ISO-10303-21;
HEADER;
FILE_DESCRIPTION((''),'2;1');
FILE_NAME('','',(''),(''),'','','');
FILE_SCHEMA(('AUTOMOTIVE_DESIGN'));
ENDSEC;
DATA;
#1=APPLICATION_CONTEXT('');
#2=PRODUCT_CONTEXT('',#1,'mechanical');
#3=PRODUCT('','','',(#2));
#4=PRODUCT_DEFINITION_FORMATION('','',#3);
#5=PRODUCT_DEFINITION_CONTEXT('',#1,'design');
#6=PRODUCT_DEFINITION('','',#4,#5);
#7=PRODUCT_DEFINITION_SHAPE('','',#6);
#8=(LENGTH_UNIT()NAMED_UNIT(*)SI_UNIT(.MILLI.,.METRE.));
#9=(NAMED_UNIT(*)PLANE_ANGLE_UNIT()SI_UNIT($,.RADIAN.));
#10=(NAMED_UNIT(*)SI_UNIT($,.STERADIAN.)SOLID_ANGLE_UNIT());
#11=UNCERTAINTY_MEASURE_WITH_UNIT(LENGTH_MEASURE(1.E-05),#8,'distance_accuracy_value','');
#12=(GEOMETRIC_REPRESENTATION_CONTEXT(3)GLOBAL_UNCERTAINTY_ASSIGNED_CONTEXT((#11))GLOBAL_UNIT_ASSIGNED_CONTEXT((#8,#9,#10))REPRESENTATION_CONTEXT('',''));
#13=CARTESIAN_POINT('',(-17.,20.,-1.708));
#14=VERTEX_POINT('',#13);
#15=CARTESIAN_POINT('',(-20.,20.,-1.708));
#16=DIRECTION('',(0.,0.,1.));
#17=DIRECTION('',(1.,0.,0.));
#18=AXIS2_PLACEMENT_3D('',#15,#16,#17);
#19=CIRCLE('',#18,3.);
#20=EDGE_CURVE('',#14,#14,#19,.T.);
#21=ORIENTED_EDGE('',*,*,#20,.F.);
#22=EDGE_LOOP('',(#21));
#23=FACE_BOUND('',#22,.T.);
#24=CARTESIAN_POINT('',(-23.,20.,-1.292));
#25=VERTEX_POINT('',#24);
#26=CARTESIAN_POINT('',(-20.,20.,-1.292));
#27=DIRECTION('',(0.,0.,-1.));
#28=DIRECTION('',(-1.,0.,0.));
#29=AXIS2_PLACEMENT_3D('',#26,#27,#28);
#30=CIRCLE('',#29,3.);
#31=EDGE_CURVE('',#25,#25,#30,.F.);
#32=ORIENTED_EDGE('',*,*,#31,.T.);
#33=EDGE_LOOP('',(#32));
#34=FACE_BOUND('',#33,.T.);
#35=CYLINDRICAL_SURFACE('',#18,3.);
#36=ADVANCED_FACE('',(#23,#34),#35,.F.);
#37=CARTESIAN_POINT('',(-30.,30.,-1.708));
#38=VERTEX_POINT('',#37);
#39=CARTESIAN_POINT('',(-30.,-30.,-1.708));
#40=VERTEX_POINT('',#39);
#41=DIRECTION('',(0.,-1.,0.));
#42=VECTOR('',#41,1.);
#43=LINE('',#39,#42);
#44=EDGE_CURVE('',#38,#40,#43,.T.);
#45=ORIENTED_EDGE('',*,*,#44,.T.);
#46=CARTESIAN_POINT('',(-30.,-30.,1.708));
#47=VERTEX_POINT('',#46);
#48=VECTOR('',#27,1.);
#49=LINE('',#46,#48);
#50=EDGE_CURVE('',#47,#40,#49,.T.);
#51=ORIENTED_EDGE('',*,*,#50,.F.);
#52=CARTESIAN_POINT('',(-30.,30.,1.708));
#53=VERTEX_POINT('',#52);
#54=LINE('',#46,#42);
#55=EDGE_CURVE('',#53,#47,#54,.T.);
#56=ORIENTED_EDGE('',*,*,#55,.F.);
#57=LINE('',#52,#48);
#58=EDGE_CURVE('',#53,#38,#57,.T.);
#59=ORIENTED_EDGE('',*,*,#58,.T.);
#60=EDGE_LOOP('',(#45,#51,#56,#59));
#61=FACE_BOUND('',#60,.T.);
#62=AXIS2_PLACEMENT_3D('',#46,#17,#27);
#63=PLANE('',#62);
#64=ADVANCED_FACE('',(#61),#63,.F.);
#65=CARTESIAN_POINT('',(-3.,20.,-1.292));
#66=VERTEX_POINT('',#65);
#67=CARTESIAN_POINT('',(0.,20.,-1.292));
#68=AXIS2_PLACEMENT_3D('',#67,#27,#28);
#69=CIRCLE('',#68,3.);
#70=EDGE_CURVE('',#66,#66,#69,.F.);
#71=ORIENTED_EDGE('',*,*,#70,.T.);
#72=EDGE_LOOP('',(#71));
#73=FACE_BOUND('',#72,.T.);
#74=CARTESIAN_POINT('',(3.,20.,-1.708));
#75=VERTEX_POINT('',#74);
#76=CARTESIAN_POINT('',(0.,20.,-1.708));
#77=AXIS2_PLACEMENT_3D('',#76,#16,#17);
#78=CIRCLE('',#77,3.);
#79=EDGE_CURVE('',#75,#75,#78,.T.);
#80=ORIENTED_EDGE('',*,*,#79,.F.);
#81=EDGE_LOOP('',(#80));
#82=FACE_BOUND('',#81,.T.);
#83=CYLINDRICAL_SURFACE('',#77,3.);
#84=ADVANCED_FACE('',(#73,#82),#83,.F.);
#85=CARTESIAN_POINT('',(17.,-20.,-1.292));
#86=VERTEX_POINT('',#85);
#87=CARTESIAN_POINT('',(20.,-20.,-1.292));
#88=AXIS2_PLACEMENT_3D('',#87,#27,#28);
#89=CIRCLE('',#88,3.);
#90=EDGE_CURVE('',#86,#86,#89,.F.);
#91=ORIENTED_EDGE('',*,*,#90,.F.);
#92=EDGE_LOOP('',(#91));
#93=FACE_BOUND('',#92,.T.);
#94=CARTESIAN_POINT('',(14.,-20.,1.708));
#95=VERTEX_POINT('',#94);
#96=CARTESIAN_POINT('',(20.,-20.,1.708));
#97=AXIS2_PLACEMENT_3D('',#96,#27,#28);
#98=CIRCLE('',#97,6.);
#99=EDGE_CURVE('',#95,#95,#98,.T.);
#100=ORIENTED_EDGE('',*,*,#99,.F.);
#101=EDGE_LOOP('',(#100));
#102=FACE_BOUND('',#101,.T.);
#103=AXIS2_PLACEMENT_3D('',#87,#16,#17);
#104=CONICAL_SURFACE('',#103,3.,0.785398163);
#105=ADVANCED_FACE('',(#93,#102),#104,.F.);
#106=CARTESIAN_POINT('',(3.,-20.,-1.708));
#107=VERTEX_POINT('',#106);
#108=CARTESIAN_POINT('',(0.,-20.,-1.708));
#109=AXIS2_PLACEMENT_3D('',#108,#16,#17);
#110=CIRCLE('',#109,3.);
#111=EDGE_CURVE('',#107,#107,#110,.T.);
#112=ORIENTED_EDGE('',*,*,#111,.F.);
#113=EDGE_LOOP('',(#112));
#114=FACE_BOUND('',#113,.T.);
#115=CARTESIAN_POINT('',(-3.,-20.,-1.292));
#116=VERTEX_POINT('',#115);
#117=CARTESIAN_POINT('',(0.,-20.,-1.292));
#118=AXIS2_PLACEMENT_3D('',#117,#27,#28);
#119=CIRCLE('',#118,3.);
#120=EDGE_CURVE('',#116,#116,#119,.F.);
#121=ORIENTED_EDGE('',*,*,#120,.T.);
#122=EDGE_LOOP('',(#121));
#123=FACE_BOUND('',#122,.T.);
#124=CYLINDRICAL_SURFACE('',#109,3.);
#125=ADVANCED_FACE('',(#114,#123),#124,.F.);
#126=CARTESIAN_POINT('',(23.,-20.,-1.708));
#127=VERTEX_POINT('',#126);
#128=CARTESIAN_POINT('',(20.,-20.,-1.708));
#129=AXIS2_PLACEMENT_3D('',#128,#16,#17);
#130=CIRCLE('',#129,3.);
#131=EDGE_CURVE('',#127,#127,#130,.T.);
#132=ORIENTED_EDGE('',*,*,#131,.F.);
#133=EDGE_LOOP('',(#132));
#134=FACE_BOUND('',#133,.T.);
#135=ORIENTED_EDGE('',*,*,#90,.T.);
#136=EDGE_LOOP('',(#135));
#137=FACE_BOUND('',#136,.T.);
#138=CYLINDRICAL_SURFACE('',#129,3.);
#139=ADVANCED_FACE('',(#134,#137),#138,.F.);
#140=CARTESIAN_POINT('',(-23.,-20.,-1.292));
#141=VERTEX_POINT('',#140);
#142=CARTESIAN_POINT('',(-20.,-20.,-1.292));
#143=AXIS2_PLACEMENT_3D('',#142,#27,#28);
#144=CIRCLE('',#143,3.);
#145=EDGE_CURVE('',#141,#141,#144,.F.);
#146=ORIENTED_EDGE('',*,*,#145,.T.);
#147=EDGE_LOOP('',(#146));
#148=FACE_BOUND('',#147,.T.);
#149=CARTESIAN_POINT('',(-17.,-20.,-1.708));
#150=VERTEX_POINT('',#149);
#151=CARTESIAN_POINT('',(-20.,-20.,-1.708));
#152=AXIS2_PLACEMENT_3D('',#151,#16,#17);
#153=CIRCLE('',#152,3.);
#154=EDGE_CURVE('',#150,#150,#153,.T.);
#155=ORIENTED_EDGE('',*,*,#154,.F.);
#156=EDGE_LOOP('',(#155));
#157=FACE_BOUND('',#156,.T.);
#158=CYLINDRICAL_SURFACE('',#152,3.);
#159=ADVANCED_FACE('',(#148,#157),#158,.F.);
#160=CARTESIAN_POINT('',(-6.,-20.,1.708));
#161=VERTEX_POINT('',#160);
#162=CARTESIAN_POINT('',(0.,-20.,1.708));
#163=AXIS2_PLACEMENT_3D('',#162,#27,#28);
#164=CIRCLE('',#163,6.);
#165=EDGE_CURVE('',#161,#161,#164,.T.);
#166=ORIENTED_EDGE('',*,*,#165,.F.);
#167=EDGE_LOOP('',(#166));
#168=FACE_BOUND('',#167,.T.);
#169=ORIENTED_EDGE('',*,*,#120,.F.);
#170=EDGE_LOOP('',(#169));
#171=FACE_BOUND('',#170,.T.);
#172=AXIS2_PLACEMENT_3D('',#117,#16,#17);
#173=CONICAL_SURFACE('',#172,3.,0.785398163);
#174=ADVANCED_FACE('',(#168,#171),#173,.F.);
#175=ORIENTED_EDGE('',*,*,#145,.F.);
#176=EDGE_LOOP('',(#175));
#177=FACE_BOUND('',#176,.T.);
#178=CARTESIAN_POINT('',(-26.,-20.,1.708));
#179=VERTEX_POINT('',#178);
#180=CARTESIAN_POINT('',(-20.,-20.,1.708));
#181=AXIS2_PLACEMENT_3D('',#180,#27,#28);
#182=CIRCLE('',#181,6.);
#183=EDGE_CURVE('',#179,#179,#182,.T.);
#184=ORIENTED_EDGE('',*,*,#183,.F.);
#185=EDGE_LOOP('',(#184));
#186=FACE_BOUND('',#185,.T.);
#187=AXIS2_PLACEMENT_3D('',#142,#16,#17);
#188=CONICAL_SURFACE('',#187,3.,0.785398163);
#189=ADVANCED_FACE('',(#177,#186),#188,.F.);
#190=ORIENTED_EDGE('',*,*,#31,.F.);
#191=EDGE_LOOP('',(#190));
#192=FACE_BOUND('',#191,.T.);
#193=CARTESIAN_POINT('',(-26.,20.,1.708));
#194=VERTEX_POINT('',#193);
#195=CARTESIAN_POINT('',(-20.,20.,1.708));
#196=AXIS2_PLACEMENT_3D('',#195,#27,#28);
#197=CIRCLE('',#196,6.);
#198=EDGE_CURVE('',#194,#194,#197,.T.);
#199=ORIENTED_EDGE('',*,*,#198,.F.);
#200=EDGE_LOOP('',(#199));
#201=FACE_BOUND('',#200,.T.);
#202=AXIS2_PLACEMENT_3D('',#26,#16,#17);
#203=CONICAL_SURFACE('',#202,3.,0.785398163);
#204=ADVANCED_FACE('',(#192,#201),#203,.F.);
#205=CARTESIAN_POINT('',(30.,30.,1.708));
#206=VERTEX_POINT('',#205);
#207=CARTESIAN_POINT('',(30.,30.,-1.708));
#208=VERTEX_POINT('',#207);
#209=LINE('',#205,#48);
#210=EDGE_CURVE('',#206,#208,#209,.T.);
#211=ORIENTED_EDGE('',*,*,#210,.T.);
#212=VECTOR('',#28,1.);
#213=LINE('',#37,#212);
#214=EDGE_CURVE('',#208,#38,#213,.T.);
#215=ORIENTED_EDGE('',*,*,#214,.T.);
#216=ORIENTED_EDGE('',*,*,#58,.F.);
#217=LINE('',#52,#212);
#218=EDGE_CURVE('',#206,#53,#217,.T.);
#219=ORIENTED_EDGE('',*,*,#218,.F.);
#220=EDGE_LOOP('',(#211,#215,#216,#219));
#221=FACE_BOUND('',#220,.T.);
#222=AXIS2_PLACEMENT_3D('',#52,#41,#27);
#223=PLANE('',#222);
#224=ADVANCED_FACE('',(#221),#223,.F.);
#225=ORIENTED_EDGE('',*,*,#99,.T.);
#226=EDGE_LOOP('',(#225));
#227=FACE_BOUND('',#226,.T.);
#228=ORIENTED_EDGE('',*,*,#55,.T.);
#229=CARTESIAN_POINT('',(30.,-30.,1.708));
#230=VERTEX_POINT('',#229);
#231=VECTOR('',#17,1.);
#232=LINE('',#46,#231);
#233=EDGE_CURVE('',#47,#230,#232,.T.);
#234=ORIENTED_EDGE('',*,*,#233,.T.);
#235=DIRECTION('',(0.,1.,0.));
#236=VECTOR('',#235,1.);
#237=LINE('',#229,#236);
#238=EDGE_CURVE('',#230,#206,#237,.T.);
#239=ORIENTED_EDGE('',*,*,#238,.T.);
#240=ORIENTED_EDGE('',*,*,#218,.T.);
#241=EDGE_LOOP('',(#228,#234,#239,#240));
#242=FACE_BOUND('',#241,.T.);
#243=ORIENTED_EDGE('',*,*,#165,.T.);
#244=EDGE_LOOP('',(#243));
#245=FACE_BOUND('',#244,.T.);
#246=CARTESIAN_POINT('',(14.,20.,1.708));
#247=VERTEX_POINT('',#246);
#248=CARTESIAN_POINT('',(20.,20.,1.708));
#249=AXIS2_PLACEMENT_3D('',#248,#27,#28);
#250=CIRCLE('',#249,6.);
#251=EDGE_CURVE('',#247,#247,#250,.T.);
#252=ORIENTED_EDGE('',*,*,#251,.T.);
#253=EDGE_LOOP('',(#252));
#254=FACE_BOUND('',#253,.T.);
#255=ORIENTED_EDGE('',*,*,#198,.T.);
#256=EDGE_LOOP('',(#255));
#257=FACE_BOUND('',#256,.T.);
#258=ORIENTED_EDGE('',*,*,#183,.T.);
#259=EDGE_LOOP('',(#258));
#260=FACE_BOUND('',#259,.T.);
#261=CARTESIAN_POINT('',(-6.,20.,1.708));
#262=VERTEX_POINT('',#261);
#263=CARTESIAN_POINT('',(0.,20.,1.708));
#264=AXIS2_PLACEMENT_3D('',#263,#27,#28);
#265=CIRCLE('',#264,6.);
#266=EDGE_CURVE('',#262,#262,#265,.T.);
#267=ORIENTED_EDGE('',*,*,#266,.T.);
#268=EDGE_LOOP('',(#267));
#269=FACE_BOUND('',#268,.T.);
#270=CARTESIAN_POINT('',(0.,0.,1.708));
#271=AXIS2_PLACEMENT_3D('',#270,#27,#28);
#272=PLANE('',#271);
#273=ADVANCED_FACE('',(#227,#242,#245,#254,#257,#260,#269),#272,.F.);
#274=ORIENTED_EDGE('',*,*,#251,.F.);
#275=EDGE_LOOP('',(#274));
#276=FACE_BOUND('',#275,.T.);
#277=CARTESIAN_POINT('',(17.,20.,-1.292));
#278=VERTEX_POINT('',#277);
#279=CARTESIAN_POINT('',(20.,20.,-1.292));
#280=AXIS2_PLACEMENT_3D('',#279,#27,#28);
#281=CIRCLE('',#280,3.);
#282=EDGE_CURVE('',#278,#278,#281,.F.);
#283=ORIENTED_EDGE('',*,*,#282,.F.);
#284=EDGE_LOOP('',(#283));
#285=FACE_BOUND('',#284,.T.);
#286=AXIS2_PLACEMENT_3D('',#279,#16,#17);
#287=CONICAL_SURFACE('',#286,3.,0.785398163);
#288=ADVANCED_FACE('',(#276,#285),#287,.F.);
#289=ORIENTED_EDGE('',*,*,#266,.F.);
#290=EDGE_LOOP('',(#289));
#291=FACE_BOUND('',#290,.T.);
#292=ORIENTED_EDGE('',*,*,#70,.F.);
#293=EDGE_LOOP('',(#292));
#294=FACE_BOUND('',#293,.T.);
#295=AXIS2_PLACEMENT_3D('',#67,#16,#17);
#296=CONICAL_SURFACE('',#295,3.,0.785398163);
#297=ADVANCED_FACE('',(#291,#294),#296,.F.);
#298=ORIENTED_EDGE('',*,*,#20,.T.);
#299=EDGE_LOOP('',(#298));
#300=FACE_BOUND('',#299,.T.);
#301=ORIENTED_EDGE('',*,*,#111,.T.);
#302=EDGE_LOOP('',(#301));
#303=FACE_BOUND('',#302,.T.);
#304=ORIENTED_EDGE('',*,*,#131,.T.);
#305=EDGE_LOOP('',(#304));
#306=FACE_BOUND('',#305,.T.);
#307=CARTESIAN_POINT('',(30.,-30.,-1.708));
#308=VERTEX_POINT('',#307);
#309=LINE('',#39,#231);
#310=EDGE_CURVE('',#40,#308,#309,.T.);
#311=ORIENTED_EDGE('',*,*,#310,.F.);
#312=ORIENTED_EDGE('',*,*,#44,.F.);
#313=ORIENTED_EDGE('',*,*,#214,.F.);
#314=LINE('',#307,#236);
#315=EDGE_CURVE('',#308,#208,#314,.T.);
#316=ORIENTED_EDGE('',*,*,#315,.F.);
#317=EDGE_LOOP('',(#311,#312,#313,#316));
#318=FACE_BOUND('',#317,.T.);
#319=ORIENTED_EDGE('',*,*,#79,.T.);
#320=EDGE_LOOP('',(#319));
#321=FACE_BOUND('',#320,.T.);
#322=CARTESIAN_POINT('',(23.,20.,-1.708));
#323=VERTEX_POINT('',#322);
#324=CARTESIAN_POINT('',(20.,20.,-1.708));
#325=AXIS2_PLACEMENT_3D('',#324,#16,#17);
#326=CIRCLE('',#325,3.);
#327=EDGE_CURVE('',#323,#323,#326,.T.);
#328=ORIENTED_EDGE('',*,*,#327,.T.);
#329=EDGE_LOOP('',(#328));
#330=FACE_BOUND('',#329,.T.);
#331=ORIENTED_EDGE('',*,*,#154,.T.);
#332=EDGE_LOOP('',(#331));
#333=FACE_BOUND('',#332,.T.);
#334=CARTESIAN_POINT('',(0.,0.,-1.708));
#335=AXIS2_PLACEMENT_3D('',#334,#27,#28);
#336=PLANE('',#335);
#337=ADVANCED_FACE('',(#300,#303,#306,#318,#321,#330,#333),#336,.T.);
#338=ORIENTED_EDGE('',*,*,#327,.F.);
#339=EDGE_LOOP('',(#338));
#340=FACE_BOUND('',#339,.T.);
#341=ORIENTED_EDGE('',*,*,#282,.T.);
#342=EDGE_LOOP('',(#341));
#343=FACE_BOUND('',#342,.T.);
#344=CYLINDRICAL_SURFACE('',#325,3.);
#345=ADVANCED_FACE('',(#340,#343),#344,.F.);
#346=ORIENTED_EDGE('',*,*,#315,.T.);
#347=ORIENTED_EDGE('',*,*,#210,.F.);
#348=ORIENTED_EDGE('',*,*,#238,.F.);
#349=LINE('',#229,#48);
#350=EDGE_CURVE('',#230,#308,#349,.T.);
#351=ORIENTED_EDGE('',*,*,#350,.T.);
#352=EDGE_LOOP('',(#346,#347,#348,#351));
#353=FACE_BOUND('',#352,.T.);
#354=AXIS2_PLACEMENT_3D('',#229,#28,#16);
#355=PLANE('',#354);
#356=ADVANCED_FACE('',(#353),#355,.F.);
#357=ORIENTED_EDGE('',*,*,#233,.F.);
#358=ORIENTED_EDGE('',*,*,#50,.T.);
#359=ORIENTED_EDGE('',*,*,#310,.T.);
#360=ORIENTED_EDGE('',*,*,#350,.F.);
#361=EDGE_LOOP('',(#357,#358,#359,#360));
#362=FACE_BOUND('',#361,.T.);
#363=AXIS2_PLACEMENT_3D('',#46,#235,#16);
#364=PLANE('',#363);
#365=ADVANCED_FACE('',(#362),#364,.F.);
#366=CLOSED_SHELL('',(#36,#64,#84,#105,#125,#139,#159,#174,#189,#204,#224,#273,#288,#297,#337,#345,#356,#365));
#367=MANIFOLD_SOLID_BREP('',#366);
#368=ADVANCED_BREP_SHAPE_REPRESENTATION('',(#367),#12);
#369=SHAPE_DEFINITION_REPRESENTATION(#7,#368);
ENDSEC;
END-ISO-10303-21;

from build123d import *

# Parameters (mm, degrees)
SKETCH1_W           = 60
SKETCH1_H           = 60
BOSS_EXTRUDE1_DEPTH = 1.708
SKETCH2_R           = 3
CUT_EXTRUDE1_DEPTH  = 4.416
CHAMFER1_SIZE       = 3


with BuildPart() as part:
    # Sketch1 → Boss-Extrude1 (new body, symmetric)
    with BuildSketch(Plane.XY):
        Rectangle(SKETCH1_W, SKETCH1_H)
    extrude(amount=BOSS_EXTRUDE1_DEPTH, both=True)

    # Sketch2 → Cut-Extrude1 (cut, through all)
    with BuildSketch(Plane.XY.offset(1.708)):
        with Locations((0, 20)):
            Circle(SKETCH2_R)
        with Locations((0, -20)):
            Circle(SKETCH2_R)
        with Locations((20, -20)):
            Circle(SKETCH2_R)
        with Locations((-20, -20)):
            Circle(SKETCH2_R)
        with Locations((-20, 20)):
            Circle(SKETCH2_R)
        with Locations((20, 20)):
            Circle(SKETCH2_R)
    extrude(amount=-CUT_EXTRUDE1_DEPTH, mode=Mode.SUBTRACT)

    # Chamfer1
    chamfer1_edges = [part.edges().sort_by_distance(p)[0] for p in [
        (-3, -20, 1.708),
        (17, -20, 1.708),
        (-23, -20, 1.708),
        (-23, 20, 1.708),
        (17, 20, 1.708),
        (-3, 20, 1.708),
    ]]
    chamfer(chamfer1_edges, length=CHAMFER1_SIZE)


solid = part.part
